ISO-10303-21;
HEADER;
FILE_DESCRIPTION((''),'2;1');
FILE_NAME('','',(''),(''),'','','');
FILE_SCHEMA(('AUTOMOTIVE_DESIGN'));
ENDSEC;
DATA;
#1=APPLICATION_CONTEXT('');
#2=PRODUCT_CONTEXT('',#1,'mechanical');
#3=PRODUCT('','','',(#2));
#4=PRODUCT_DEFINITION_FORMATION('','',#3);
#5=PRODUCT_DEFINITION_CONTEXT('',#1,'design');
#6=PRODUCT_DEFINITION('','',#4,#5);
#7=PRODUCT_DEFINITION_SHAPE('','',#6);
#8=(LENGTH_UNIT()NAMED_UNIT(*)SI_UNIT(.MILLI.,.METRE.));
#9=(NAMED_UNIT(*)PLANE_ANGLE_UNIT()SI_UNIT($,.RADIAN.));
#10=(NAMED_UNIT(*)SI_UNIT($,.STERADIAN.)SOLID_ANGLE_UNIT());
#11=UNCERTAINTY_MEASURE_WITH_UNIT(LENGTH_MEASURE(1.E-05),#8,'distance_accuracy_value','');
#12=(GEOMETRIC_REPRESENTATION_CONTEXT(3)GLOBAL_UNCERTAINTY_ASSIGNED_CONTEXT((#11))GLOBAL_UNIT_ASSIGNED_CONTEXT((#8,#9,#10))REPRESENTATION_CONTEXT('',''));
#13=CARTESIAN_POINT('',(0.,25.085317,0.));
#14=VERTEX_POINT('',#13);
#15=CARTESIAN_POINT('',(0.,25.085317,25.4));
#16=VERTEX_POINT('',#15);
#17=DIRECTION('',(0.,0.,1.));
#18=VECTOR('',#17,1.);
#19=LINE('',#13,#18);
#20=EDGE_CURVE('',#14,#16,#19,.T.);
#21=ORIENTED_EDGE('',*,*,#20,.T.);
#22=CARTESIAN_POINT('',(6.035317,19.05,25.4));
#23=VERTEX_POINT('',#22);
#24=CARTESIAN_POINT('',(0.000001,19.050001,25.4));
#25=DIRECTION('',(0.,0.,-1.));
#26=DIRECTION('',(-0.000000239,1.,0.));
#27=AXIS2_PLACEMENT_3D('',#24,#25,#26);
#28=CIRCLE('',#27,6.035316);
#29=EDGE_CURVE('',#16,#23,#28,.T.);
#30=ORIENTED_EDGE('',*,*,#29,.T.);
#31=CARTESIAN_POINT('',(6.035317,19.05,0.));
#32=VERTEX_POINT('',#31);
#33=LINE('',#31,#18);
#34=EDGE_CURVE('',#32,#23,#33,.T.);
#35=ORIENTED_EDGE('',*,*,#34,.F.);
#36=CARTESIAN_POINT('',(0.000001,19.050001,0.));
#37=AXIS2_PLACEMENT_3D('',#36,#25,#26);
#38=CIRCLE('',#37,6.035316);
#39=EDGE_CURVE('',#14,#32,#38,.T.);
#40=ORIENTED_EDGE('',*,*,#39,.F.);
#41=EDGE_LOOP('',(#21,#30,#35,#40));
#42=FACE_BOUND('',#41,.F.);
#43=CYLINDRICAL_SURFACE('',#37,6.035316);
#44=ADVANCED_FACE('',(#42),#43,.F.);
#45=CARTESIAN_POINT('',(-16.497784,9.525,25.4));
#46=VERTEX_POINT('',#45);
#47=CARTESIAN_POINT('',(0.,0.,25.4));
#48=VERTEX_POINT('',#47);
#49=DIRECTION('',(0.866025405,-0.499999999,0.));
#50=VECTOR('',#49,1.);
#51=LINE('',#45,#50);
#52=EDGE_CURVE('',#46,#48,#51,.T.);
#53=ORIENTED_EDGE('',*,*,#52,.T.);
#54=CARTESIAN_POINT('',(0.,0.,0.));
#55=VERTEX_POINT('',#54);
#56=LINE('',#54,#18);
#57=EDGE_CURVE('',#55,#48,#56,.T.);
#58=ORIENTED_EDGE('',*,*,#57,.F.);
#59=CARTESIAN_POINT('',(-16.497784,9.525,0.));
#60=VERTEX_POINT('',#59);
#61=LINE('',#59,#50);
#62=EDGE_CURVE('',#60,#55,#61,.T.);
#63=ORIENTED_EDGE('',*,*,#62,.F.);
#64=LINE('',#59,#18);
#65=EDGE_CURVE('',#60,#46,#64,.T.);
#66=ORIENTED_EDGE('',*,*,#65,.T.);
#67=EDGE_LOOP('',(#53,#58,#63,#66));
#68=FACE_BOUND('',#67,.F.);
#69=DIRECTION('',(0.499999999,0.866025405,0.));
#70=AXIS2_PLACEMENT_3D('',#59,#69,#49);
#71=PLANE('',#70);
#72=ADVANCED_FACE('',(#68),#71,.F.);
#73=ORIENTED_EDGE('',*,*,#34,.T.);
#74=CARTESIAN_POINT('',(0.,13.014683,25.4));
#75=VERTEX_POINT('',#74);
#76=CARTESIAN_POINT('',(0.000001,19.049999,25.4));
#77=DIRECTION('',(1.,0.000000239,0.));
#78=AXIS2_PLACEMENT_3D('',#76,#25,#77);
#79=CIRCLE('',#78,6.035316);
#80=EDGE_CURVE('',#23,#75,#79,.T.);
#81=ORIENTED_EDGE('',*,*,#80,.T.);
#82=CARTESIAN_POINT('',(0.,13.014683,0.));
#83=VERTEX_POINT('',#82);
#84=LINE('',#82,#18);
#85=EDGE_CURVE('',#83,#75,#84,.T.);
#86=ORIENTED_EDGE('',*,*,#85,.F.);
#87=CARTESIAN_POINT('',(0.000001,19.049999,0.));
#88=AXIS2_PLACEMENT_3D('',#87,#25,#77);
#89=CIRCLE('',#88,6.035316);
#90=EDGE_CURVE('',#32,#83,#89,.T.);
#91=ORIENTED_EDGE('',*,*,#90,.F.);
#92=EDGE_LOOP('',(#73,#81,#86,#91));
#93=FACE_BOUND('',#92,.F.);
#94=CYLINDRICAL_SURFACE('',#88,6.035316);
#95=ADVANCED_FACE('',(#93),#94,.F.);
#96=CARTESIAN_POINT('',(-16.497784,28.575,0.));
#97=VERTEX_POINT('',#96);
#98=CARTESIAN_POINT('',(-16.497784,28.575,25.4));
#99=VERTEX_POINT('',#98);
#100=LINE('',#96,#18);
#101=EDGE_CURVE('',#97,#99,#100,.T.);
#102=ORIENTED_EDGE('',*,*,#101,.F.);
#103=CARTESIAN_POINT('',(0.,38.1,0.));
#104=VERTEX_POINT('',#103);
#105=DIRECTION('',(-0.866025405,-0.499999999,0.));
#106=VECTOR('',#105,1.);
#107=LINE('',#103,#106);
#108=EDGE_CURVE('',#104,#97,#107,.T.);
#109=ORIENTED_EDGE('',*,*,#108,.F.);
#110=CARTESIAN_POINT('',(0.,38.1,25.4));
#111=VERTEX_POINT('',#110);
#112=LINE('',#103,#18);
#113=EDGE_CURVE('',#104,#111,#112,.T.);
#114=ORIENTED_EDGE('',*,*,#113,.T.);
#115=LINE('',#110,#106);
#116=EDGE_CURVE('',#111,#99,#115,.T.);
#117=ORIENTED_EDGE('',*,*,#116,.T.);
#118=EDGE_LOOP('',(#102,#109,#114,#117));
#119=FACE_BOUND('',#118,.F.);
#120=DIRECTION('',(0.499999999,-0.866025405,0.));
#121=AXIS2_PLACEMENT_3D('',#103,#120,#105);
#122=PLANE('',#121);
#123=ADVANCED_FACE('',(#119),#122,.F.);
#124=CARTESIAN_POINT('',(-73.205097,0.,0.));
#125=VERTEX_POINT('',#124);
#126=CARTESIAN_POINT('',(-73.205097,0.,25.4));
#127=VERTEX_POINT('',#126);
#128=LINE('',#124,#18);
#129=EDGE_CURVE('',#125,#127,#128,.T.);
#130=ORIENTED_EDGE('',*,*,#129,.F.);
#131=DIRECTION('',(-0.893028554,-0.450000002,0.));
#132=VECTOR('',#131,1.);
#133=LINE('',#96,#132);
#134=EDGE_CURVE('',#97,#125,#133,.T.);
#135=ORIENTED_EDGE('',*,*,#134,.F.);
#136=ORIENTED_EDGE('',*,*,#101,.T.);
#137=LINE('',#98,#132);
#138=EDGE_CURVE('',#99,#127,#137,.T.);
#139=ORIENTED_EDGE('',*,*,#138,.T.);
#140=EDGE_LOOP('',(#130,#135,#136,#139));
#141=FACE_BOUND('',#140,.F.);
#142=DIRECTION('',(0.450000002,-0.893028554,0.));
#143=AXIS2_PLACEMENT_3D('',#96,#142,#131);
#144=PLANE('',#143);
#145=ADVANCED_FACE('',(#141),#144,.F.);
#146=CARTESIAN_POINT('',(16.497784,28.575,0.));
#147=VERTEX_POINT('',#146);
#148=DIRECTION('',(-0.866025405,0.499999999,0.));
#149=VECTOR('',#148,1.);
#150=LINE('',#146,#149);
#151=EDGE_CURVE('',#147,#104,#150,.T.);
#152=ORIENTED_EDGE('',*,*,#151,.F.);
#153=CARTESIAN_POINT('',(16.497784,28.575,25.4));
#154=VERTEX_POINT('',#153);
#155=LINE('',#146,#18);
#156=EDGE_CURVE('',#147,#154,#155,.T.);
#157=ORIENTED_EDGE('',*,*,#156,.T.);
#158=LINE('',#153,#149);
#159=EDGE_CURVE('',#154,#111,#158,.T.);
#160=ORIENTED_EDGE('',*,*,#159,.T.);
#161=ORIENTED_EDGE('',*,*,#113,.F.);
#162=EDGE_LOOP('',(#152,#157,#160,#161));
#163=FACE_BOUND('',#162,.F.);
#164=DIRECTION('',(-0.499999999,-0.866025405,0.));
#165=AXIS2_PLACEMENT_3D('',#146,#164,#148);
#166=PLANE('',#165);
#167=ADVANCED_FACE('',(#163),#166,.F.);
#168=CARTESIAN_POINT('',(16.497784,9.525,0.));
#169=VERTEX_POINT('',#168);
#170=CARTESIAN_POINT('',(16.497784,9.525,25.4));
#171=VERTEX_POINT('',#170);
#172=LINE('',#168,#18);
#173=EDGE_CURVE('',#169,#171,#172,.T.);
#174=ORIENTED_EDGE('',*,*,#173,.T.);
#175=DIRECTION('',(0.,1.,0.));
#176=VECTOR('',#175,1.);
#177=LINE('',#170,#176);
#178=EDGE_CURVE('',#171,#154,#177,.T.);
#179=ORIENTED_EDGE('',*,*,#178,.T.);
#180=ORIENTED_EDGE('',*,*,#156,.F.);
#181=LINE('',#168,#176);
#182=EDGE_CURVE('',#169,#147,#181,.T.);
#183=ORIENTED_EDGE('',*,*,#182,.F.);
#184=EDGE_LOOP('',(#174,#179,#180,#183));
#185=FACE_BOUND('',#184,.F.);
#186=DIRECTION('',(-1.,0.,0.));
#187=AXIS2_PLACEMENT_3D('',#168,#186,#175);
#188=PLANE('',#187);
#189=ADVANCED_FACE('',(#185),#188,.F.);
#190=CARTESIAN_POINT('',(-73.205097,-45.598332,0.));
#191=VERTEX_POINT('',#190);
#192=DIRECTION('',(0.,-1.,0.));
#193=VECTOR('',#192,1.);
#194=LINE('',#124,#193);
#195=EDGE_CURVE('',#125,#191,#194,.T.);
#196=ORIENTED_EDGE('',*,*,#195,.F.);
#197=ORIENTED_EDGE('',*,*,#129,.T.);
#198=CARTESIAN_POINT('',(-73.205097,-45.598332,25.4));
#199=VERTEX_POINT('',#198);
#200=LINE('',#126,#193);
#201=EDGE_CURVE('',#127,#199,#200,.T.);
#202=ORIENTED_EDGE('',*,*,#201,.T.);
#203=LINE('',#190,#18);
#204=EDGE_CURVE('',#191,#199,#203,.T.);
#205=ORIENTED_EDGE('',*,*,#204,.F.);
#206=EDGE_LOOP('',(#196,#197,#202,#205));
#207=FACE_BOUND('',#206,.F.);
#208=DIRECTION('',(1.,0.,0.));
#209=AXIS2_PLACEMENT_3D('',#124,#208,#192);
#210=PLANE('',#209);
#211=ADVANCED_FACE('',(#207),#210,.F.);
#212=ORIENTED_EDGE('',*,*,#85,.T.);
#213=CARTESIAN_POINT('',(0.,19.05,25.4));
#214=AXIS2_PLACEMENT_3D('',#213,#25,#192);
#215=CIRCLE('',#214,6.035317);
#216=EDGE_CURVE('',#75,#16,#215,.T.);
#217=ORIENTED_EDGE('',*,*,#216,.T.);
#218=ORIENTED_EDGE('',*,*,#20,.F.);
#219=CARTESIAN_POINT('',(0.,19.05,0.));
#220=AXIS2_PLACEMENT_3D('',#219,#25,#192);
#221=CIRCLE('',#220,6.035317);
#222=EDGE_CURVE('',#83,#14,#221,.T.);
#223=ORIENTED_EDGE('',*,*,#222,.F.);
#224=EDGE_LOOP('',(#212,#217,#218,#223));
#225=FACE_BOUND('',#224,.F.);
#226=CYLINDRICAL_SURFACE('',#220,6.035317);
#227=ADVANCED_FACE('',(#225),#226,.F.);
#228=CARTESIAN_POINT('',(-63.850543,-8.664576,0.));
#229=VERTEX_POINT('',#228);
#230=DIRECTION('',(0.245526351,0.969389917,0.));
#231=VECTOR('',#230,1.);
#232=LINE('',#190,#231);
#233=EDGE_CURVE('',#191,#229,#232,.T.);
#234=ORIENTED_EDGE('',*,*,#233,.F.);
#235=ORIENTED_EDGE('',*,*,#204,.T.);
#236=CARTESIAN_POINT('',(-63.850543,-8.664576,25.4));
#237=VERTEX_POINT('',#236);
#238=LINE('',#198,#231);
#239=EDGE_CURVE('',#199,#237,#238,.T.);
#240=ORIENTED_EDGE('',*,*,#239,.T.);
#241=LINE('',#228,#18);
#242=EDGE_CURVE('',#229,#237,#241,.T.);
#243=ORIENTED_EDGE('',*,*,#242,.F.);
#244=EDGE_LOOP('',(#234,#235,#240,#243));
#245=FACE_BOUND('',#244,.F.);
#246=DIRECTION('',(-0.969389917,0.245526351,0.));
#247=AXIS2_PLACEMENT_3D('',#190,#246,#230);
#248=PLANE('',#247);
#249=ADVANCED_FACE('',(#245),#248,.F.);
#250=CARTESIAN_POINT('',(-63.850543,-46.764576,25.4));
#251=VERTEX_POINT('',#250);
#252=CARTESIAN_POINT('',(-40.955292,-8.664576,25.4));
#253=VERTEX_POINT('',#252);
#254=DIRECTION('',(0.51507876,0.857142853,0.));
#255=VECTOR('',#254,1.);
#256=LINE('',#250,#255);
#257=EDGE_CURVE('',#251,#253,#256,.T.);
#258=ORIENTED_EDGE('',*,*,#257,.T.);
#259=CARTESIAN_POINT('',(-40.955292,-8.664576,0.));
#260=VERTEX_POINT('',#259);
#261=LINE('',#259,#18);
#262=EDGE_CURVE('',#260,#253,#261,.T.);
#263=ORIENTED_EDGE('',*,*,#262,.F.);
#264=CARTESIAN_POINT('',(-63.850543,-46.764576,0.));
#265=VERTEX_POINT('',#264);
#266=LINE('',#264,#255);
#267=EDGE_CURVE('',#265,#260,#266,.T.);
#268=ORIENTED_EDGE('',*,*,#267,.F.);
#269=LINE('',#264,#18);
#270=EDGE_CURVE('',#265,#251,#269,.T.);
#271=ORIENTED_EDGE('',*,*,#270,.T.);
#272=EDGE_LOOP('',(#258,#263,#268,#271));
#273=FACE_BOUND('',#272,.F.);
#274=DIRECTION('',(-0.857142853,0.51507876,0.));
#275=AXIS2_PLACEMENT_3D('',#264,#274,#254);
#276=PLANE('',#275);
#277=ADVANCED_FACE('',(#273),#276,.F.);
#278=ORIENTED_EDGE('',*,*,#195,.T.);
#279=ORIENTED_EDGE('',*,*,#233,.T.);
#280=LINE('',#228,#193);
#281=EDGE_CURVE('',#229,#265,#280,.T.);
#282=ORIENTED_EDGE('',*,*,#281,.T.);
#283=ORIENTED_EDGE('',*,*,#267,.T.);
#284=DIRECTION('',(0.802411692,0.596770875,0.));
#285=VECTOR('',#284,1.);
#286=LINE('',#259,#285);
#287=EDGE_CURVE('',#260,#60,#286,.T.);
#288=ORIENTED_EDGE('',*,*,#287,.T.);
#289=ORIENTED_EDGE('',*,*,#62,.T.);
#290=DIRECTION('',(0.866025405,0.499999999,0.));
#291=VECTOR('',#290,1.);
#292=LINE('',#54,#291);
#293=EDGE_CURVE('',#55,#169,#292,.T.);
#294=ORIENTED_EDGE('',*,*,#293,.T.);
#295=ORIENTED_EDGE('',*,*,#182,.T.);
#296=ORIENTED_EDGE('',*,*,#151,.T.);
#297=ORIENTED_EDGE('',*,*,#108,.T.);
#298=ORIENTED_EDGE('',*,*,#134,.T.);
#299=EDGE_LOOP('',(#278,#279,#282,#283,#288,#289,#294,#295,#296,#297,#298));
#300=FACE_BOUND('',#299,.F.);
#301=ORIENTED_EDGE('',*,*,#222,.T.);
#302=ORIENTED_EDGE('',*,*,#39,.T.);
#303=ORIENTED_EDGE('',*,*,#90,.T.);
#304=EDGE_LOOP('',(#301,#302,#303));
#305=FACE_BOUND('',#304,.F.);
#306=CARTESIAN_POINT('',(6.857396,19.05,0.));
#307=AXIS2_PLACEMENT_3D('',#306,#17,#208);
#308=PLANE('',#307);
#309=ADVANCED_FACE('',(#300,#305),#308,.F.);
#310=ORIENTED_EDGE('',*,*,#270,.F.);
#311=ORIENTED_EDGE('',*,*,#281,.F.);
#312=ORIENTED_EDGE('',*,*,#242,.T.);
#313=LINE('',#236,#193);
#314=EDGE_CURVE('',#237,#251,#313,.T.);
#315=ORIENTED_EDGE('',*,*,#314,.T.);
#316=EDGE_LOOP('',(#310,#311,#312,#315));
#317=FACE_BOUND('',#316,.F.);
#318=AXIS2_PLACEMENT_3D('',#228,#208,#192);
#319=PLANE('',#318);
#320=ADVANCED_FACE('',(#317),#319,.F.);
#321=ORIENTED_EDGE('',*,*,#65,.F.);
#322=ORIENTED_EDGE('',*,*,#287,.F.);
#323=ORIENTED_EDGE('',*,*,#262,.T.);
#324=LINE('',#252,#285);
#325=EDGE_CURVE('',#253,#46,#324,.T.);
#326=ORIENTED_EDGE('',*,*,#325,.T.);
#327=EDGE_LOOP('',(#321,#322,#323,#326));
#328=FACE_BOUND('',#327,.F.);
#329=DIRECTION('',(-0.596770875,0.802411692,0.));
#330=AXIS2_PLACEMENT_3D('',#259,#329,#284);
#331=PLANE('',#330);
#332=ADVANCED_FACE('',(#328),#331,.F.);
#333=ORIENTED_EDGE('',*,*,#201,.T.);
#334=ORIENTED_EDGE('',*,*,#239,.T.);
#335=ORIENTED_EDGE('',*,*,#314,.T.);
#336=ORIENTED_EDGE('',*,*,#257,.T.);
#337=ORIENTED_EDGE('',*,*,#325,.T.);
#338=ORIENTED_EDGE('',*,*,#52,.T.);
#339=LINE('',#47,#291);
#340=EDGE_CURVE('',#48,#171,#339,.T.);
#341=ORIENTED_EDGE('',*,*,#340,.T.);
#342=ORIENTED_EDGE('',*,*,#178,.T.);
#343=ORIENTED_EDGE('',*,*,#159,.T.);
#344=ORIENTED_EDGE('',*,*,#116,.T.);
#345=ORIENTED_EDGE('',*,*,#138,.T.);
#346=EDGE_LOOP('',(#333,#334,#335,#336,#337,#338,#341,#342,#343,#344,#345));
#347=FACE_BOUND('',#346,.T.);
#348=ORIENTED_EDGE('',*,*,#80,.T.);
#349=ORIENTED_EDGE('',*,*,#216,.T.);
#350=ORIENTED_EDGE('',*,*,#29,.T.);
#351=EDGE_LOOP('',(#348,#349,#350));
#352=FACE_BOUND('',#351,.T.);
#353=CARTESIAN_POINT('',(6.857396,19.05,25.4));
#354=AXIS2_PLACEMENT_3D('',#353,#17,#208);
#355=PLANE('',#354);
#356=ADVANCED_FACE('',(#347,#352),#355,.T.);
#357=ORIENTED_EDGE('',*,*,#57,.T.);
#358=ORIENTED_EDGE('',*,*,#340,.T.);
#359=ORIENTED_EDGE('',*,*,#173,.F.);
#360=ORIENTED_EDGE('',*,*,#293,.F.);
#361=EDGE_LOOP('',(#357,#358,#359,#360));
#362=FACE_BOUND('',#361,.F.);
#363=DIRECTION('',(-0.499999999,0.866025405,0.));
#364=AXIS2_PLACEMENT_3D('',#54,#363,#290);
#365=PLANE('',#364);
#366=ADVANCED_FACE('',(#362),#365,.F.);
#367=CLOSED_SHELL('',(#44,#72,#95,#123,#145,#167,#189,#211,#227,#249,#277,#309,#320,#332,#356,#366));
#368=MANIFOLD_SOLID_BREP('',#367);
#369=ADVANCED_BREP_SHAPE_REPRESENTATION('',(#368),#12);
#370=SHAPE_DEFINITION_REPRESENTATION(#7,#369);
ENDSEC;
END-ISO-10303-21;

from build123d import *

# Parameters (mm, degrees)
F1_DEPTH = 25.4


with BuildPart() as f1:
    # F0 (on Top) → F1 (new body)
    with BuildSketch(Plane.XY):
        with BuildLine():
            Line((0, 13.014683), (0, 0))
            Line((0, 0), (16.497784, 9.525))
            Line((16.497784, 9.525), (16.497784, 28.575))
            Line((16.497784, 28.575), (0, 38.1))
            Line((0, 38.1), (0, 25.085317))
            ThreePointArc((0, 25.085317), (4.267614, 23.317614), (6.035317, 19.05))
            ThreePointArc((6.035317, 19.05), (4.267614, 14.782386), (0, 13.014683))
        make_face()
        with BuildLine():
            Line((-16.497784, 9.525), (0, 0))
            Line((0, 0), (0, 13.014683))
            ThreePointArc((0, 13.014683), (-6.035317, 19.05), (0, 25.085317))
            Line((0, 25.085317), (0, 38.1))
            Line((0, 38.1), (-16.497784, 28.575))
            Line((-16.497784, 28.575), (-16.497784, 9.525))
        make_face()
        Polygon((-40.955292, -8.664576), (-16.497784, 9.525), (-16.497784, 28.575), (-73.205097, 0), (-73.205097, -45.598332), (-63.850543, -8.664576), (-63.850543, -46.764576), align=None)
    extrude(amount=F1_DEPTH)


solid = f1.part
